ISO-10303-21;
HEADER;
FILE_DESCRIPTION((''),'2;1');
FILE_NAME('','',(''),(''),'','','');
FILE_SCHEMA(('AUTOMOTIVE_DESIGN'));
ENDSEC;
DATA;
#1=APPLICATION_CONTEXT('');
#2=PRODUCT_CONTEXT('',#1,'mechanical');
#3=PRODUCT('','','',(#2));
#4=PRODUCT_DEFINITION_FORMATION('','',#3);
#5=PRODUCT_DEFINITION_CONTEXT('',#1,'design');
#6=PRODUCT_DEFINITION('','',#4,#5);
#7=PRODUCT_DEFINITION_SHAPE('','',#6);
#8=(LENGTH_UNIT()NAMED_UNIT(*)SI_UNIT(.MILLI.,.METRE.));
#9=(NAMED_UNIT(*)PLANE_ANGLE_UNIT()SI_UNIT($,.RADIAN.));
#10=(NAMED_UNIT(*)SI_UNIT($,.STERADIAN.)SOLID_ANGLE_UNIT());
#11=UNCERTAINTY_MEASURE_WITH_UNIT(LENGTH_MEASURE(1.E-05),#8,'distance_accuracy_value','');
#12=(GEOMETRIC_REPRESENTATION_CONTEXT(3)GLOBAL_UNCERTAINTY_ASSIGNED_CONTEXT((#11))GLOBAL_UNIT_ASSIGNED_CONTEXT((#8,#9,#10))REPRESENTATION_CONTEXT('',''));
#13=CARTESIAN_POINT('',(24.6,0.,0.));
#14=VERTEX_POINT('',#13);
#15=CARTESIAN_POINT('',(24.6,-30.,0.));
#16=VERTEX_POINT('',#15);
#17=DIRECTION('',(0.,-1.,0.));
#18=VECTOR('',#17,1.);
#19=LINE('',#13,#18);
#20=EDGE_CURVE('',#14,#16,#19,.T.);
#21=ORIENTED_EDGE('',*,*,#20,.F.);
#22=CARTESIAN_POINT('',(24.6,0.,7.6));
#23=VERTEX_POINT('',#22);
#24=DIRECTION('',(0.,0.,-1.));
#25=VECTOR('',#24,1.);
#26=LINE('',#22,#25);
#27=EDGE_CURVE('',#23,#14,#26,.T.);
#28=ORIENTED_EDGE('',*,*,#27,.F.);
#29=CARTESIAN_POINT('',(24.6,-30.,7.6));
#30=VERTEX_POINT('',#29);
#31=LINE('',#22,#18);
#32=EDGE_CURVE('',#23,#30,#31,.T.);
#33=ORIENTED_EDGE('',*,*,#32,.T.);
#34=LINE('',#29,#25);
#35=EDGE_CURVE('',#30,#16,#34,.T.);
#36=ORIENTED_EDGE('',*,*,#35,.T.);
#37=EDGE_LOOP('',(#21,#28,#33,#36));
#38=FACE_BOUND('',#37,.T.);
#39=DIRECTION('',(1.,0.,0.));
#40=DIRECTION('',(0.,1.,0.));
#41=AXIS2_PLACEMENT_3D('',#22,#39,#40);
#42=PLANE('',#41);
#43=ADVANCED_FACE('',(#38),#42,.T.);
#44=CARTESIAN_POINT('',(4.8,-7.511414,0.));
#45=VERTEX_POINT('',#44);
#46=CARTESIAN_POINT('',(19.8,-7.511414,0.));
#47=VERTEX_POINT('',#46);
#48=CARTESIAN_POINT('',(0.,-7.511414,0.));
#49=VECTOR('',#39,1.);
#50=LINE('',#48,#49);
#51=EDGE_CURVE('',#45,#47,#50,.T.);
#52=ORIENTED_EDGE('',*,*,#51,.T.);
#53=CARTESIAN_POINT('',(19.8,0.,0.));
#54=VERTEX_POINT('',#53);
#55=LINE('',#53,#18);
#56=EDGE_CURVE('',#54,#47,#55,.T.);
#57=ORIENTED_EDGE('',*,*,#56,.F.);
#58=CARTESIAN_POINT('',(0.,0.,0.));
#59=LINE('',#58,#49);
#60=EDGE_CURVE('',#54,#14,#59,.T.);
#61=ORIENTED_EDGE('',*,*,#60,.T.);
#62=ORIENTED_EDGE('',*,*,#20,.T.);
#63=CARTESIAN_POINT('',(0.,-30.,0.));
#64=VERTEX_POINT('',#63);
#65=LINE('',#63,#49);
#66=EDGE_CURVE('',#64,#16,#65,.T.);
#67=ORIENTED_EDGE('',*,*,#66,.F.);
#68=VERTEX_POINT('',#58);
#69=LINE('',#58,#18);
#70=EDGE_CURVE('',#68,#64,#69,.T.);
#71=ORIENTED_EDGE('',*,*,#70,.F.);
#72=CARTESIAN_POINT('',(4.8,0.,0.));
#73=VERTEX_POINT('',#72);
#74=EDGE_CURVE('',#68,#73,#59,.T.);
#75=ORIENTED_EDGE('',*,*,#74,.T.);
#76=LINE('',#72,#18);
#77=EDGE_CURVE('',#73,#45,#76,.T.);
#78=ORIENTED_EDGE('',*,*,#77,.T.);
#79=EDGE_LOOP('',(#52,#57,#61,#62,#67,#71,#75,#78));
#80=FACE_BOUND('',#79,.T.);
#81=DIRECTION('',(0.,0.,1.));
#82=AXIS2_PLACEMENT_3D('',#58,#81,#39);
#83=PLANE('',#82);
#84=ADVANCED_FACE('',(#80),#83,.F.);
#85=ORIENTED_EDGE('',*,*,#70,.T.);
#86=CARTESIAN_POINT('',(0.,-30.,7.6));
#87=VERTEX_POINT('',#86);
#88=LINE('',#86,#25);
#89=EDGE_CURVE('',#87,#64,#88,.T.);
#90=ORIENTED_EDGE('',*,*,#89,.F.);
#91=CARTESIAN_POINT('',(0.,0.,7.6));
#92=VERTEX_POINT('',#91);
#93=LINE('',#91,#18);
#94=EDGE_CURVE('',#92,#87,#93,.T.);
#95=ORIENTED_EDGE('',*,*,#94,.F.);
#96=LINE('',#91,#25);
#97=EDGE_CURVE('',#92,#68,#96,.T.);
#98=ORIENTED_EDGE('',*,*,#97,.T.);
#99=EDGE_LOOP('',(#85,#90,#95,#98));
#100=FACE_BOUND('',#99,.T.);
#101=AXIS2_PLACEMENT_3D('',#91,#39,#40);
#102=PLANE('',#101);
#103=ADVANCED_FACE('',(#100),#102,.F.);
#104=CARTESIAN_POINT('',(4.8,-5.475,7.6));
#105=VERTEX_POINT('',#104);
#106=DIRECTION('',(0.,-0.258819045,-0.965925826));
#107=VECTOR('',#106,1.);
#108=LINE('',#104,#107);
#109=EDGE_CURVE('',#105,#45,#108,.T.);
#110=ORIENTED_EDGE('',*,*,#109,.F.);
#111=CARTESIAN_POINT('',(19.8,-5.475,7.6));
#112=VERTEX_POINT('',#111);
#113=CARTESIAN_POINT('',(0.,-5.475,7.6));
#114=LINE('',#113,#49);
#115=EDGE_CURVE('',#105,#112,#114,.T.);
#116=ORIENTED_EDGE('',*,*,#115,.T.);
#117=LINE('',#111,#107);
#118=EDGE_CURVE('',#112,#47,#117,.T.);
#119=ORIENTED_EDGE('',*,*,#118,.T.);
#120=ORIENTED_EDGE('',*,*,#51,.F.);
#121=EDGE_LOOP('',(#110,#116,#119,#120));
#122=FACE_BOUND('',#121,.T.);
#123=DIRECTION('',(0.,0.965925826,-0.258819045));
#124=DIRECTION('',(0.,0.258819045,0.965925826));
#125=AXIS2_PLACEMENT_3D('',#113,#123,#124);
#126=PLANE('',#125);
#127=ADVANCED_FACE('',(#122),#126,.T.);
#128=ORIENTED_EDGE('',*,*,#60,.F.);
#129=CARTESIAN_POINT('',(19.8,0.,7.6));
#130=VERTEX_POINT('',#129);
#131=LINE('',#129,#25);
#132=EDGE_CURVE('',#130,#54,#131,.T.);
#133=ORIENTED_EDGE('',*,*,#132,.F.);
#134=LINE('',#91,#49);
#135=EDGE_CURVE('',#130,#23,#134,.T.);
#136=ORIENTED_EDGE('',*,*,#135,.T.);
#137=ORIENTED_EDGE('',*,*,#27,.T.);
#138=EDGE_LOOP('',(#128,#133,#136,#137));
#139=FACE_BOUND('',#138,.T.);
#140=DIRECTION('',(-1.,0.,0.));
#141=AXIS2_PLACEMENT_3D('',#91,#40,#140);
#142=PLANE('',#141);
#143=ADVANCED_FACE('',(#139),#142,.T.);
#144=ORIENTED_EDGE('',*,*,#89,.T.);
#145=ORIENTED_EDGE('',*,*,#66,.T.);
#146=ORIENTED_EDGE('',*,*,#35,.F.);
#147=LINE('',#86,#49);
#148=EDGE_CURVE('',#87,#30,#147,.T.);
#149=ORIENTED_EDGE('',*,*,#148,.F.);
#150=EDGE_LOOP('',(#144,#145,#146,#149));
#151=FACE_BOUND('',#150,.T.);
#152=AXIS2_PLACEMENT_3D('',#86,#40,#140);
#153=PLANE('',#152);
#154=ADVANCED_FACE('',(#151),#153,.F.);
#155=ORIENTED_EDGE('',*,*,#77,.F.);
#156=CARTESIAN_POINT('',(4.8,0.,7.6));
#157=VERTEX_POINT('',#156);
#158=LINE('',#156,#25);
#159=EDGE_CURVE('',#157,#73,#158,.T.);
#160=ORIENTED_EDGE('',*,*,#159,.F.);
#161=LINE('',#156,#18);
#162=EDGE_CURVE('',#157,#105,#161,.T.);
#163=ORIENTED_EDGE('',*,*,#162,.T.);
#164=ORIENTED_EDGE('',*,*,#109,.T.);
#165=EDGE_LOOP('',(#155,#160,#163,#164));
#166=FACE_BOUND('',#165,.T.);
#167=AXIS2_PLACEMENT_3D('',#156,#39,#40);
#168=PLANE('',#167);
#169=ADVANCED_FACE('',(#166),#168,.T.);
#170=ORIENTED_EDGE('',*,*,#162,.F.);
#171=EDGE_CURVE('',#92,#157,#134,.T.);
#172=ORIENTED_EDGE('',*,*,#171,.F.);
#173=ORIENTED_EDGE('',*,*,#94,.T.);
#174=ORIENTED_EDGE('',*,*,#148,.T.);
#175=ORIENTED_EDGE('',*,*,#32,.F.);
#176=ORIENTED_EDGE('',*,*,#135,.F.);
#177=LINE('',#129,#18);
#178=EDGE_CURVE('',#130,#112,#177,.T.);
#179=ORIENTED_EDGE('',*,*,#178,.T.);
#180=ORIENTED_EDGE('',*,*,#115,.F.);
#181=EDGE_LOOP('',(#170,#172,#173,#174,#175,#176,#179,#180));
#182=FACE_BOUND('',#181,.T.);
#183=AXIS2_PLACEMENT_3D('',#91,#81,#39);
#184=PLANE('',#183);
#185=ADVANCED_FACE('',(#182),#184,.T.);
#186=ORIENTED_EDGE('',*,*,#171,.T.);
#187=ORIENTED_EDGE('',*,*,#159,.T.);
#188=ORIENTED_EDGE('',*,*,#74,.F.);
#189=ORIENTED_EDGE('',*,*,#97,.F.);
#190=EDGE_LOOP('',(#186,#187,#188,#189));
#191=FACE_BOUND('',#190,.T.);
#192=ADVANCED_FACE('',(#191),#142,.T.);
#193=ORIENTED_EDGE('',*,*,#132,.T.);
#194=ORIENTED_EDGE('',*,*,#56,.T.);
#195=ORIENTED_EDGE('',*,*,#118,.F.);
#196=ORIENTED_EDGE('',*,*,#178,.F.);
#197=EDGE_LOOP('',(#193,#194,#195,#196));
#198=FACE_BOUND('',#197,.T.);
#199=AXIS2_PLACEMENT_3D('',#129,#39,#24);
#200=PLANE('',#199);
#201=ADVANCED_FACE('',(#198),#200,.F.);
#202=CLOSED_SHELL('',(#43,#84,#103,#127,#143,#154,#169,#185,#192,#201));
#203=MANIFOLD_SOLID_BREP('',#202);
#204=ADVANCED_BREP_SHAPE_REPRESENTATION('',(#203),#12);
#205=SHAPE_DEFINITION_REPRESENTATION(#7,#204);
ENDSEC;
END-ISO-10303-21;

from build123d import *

# Parameters (mm, degrees)
EXTRUDE_1_DEPTH = 7.6
DRAFT_5_ANGLE   = -15


with BuildPart() as part:
    # 草图1 → 凸台-拉伸1 (new body)
    with BuildSketch(Plane.XY):
        Polygon((4.8, 0), (0, 0), (0, -30), (24.6, -30), (24.6, 0), (19.8, 0), (19.8, -5.475), (4.8, -5.475), align=None)
    extrude(amount=EXTRUDE_1_DEPTH)

    # 拔模5
    draft_5_faces = [part.faces().sort_by_distance(p)[0] for p in [
        (12.3, -5.475, 3.8),
    ]]
    draft(draft_5_faces, Plane.XY.offset(7.6), DRAFT_5_ANGLE)


solid = part.part
